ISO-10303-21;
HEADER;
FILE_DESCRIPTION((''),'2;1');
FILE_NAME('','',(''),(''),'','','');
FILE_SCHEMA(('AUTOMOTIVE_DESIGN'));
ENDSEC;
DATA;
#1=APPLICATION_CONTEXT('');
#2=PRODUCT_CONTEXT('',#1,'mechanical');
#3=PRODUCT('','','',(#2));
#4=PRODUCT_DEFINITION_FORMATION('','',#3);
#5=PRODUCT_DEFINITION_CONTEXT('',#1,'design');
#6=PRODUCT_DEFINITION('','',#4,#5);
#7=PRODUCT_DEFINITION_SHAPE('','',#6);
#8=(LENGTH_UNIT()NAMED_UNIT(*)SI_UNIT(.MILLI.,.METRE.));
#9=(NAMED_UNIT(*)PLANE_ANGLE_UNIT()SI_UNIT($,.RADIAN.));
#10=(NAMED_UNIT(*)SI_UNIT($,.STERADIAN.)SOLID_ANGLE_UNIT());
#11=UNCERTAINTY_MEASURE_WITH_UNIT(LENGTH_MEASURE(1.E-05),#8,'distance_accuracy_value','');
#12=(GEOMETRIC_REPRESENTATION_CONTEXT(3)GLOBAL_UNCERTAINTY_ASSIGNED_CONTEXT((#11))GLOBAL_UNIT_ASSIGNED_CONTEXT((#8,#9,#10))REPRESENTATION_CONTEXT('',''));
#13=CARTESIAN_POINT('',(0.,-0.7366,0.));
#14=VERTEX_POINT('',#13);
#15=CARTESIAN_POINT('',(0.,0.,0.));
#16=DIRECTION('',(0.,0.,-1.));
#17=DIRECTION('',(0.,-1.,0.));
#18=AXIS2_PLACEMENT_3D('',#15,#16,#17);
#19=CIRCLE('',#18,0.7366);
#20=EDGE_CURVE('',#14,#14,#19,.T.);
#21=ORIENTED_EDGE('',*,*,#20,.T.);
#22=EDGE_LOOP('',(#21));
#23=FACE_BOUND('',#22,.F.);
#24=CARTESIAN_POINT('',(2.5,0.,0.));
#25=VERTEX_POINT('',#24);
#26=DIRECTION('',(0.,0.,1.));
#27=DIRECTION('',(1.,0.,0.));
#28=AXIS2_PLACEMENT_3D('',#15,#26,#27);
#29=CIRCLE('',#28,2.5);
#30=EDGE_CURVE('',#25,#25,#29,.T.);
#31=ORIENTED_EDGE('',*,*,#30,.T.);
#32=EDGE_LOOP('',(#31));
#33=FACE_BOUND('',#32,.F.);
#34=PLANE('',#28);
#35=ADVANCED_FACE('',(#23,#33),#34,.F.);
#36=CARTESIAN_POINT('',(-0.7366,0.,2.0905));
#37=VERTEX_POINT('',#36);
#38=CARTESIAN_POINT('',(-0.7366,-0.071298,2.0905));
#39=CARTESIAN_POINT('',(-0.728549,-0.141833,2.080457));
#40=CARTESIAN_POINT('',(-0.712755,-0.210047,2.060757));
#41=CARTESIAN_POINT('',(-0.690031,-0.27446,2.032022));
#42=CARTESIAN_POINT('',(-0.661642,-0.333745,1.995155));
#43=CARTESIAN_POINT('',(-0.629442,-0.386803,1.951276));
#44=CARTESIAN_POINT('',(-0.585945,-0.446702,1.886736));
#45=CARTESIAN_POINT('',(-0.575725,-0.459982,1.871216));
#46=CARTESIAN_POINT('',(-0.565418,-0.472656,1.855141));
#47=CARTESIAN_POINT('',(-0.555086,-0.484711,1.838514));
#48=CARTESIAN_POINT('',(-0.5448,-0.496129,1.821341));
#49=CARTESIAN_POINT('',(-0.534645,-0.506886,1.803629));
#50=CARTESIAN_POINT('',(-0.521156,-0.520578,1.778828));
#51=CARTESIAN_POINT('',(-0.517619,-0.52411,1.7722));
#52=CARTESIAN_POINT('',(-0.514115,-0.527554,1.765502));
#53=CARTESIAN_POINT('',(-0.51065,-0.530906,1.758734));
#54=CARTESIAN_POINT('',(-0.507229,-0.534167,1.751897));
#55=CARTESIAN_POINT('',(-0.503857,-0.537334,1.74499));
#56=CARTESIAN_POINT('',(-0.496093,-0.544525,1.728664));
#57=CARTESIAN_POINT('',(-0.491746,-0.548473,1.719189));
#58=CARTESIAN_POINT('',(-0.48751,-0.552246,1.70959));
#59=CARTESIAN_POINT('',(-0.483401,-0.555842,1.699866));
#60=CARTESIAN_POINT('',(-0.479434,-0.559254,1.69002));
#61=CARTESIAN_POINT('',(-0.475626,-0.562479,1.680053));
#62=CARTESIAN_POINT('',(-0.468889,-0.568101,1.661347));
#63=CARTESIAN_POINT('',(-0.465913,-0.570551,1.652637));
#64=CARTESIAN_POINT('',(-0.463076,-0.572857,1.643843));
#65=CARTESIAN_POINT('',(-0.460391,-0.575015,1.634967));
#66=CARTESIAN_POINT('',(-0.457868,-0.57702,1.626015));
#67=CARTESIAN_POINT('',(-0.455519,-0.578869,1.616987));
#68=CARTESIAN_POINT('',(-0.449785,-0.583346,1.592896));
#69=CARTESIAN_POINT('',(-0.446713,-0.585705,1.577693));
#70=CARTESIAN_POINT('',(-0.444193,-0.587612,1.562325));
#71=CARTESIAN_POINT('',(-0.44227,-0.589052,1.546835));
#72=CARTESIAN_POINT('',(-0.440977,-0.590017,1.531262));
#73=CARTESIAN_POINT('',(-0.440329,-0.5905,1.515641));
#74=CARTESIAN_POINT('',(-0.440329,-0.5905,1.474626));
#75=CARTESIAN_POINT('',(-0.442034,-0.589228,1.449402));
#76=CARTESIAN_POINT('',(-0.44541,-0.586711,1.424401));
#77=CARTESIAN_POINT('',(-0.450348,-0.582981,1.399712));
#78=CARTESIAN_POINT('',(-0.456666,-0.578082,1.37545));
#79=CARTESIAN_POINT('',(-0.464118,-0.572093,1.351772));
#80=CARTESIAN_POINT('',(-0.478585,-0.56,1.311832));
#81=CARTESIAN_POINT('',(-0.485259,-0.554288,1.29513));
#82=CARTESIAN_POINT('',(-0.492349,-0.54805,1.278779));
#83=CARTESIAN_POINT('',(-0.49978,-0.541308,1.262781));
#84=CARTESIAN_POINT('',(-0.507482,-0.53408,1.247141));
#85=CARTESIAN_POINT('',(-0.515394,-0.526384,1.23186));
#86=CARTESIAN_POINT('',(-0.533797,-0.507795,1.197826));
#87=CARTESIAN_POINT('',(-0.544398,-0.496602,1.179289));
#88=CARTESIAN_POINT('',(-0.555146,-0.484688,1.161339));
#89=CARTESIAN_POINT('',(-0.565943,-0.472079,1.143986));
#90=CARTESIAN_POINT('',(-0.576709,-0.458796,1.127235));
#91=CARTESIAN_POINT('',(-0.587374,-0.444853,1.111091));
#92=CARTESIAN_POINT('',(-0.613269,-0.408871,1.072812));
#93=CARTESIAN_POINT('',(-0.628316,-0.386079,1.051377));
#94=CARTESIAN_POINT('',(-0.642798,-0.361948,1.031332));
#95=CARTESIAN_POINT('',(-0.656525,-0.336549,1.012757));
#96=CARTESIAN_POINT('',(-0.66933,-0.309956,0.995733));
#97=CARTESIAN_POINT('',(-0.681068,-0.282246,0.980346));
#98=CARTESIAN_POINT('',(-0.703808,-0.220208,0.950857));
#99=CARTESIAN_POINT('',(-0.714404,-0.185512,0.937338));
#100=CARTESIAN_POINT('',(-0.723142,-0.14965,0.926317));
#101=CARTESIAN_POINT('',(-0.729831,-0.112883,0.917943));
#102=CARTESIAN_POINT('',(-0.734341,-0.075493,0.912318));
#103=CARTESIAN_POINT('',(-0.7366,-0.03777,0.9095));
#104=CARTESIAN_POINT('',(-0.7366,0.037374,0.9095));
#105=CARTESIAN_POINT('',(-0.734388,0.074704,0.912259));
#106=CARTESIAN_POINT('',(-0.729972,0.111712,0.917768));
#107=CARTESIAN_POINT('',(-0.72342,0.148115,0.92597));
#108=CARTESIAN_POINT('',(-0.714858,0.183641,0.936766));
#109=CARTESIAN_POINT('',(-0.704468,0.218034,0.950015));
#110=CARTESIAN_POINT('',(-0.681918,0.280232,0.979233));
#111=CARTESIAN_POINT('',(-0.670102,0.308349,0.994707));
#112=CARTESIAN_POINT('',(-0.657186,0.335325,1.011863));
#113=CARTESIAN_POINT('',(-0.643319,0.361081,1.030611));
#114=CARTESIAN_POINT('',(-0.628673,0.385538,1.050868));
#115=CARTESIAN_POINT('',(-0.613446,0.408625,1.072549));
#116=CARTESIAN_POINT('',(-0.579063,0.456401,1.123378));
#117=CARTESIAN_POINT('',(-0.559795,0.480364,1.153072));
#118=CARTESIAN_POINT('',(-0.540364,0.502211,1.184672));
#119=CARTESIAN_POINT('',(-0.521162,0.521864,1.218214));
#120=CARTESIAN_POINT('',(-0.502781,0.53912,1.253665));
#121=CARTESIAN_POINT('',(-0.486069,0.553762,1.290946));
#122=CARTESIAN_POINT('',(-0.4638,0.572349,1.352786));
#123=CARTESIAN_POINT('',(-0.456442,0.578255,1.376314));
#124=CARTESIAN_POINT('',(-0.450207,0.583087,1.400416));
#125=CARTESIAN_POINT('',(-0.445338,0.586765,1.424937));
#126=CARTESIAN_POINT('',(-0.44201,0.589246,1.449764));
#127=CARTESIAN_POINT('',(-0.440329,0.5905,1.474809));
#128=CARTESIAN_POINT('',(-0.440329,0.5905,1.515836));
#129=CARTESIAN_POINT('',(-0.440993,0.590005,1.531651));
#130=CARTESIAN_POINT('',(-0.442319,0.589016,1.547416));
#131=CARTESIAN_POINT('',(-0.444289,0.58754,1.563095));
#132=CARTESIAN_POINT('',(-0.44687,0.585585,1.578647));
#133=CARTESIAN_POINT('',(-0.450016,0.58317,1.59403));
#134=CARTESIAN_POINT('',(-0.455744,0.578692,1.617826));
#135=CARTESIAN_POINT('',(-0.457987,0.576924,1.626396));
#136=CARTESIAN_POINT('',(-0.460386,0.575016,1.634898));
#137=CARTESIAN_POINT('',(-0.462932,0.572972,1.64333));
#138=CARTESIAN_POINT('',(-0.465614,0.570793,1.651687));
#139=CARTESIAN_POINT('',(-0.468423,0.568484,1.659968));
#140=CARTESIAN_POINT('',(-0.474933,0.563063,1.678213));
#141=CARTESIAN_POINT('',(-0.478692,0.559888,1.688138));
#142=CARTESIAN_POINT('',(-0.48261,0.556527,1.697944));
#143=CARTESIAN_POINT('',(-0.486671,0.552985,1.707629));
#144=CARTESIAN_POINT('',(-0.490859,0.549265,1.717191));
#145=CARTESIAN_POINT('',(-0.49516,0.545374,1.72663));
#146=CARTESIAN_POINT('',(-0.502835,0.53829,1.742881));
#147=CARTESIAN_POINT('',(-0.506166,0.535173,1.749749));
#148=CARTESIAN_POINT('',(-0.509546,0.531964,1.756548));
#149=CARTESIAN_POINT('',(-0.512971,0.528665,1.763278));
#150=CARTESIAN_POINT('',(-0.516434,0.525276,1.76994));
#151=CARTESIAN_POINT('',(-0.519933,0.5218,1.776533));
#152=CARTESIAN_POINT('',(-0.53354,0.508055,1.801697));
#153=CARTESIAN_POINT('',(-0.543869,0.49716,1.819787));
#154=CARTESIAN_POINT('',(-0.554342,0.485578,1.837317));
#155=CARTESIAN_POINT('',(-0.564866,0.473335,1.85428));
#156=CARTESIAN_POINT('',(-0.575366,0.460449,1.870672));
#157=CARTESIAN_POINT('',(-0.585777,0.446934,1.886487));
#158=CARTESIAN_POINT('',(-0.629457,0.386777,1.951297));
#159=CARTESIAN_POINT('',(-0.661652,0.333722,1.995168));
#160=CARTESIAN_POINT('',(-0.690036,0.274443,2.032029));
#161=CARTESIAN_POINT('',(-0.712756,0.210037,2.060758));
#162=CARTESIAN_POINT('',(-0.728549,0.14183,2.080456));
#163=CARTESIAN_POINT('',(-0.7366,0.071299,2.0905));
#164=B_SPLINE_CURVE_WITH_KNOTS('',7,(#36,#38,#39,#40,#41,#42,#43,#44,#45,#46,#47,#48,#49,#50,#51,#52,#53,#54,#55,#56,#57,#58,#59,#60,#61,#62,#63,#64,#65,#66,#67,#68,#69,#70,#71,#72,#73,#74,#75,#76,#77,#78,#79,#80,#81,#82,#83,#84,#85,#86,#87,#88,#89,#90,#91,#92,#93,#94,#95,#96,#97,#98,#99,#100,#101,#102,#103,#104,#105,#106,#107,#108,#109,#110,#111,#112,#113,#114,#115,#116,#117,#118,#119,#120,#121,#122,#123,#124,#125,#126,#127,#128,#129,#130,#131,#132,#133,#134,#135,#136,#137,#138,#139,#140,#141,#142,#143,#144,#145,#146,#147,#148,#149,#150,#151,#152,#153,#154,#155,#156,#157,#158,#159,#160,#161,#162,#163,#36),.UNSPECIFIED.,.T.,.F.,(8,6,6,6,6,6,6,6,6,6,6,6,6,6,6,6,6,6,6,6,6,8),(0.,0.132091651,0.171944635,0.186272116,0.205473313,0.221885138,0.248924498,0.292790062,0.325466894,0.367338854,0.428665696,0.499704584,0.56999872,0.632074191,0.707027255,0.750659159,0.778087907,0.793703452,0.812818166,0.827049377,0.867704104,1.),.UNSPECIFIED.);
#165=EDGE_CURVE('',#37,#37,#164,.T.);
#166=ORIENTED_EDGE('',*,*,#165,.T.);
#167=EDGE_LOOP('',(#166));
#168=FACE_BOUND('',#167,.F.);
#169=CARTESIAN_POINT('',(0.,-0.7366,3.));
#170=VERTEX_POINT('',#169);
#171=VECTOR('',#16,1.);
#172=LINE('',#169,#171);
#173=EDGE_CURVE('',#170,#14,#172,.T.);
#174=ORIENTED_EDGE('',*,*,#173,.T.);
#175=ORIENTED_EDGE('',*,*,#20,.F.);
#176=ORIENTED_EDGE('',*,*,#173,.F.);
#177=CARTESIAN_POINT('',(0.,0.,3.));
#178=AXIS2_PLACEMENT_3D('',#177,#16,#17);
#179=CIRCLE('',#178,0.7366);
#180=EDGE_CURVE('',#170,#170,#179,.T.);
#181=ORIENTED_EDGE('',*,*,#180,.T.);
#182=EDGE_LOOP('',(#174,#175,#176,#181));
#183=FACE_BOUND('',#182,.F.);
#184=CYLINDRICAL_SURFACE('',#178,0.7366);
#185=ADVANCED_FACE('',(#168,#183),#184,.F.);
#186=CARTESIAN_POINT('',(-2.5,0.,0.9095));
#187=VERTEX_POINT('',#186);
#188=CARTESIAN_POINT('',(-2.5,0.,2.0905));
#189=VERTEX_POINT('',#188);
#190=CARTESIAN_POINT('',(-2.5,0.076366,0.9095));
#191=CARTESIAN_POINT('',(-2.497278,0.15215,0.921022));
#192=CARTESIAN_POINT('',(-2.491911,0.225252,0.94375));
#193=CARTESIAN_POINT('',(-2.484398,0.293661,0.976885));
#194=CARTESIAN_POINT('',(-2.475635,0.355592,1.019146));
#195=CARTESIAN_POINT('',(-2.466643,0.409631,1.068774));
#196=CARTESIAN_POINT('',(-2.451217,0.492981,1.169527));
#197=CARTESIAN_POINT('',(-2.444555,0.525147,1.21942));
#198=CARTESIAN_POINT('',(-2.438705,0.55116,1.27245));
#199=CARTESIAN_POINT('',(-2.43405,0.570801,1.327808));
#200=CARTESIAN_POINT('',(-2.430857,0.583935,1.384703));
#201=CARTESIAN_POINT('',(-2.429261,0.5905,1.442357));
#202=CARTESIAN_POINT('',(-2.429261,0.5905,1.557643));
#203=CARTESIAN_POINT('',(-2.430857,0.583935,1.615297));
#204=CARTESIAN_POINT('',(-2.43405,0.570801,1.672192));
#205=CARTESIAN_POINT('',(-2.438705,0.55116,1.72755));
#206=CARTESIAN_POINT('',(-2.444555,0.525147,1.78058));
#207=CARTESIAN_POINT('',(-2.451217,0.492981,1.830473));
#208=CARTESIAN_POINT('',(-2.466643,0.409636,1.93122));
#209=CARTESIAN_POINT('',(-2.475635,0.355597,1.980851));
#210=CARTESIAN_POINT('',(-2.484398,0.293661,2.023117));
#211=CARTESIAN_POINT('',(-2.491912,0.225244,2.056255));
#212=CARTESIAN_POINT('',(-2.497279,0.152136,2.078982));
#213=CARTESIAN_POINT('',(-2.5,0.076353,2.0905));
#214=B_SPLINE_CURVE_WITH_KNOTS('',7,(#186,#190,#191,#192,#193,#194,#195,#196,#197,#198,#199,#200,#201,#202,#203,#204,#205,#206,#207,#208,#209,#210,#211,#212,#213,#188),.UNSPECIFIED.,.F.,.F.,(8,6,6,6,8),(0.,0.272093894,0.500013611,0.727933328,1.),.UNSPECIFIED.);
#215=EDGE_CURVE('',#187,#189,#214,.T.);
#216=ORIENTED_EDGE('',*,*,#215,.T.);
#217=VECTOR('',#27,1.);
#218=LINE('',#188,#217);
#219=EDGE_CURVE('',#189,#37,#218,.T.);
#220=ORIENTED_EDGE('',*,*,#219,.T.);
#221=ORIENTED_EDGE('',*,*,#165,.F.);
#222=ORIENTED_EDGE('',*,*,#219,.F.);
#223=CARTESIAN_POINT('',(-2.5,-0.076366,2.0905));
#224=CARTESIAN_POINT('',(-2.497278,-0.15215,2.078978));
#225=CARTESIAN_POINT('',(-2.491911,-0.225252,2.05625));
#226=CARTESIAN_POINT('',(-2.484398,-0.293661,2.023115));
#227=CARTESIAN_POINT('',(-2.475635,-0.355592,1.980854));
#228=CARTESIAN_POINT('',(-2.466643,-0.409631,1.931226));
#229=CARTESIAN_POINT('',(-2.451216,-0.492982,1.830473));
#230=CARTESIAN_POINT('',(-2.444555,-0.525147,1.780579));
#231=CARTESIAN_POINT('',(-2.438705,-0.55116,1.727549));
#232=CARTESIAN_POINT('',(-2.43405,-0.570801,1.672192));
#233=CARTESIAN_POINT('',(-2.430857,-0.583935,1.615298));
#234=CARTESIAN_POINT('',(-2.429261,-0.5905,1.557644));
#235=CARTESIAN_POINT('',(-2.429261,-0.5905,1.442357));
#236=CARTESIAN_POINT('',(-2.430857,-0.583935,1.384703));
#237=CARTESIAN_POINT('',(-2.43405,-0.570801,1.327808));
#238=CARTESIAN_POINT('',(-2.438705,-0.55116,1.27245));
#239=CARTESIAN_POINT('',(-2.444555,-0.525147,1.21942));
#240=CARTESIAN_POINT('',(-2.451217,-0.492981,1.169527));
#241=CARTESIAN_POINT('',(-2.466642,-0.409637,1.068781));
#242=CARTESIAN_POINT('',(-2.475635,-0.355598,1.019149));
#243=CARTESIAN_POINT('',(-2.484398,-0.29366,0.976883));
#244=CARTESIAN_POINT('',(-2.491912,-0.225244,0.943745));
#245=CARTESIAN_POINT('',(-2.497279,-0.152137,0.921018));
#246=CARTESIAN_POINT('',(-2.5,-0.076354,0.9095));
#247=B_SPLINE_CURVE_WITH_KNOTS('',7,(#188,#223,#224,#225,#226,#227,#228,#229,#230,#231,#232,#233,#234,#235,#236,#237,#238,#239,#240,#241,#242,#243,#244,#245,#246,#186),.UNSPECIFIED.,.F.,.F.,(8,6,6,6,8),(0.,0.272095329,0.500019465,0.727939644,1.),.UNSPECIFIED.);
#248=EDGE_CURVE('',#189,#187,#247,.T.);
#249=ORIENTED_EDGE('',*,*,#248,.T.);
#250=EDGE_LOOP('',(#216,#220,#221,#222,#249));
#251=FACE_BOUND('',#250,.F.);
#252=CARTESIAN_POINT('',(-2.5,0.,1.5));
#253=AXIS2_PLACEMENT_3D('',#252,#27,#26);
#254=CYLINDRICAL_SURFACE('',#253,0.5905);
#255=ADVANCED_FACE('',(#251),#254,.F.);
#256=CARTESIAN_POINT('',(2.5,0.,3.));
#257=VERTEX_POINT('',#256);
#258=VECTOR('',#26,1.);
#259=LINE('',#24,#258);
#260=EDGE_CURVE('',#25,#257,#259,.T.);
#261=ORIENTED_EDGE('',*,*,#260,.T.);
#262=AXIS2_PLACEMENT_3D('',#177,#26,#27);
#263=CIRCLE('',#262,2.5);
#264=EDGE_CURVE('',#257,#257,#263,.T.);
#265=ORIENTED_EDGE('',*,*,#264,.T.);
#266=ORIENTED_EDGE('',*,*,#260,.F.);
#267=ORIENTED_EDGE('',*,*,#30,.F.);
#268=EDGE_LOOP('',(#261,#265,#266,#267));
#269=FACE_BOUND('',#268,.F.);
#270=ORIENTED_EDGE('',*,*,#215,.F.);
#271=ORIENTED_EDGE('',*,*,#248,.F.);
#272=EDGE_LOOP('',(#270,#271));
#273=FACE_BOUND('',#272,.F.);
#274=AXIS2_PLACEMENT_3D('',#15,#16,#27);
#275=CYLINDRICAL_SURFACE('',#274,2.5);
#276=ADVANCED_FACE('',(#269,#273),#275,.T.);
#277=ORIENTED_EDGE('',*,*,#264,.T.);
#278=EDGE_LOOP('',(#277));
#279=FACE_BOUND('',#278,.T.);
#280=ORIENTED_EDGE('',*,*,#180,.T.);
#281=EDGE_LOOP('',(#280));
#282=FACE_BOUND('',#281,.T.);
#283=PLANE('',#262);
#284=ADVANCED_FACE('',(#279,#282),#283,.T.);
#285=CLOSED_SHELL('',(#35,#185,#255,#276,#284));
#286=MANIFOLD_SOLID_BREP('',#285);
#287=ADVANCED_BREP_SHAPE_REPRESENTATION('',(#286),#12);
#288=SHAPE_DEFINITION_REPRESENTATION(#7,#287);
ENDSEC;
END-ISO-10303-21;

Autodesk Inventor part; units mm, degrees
ref_plane "XZ Plane" through (0, 0, 0) normal (0, 1, 0) x (-1, 0, 0)
ref_plane "XY Plane" through (0, 0, 0) normal (0, 0, 1) x (1, 0, 0)
sketch "Sketch1" plane through (0, 0, 0) normal (0, 0, 1) x (1, 0, 0)
  circle A0 centre (0, 0) radius 2.5
  dimension "d0" = 5
extrude "Extrusion1" add sketch "Sketch1" along normal blind 3
hole "Hole1" at (0, 0, 3) direction (0, 0, -1) diameter 1.4732 end through all
ref_plane "Work Plane1" through (-2.5, 0, 0) normal (1, 0, 0) x (0, 1, 0)
sketch "Sketch2" plane through (-2.5, 0, 0) normal (1, 0, 0) x (0, 1, 0)
  line L0 (-2.5, 3) -> (2.5, 3) projected
  line L1 (-2.5, 0) -> (2.5, 0) projected
  line L2 (0, -0.6) -> (0, 3.6) projected
  point P0 (0, 0)
  point P1 (0, 1.5)
  dimension "d12" = 1.5
hole "Hole2" at (-2.5, 0, 1.5) direction (1, 0, 0) diameter 1.181 depth 2.5 thread size "0-80 UNF" class "2B" standard "ANSI Unified Screw Threads"
properties part number "OCT_Adapter_Bottom"
